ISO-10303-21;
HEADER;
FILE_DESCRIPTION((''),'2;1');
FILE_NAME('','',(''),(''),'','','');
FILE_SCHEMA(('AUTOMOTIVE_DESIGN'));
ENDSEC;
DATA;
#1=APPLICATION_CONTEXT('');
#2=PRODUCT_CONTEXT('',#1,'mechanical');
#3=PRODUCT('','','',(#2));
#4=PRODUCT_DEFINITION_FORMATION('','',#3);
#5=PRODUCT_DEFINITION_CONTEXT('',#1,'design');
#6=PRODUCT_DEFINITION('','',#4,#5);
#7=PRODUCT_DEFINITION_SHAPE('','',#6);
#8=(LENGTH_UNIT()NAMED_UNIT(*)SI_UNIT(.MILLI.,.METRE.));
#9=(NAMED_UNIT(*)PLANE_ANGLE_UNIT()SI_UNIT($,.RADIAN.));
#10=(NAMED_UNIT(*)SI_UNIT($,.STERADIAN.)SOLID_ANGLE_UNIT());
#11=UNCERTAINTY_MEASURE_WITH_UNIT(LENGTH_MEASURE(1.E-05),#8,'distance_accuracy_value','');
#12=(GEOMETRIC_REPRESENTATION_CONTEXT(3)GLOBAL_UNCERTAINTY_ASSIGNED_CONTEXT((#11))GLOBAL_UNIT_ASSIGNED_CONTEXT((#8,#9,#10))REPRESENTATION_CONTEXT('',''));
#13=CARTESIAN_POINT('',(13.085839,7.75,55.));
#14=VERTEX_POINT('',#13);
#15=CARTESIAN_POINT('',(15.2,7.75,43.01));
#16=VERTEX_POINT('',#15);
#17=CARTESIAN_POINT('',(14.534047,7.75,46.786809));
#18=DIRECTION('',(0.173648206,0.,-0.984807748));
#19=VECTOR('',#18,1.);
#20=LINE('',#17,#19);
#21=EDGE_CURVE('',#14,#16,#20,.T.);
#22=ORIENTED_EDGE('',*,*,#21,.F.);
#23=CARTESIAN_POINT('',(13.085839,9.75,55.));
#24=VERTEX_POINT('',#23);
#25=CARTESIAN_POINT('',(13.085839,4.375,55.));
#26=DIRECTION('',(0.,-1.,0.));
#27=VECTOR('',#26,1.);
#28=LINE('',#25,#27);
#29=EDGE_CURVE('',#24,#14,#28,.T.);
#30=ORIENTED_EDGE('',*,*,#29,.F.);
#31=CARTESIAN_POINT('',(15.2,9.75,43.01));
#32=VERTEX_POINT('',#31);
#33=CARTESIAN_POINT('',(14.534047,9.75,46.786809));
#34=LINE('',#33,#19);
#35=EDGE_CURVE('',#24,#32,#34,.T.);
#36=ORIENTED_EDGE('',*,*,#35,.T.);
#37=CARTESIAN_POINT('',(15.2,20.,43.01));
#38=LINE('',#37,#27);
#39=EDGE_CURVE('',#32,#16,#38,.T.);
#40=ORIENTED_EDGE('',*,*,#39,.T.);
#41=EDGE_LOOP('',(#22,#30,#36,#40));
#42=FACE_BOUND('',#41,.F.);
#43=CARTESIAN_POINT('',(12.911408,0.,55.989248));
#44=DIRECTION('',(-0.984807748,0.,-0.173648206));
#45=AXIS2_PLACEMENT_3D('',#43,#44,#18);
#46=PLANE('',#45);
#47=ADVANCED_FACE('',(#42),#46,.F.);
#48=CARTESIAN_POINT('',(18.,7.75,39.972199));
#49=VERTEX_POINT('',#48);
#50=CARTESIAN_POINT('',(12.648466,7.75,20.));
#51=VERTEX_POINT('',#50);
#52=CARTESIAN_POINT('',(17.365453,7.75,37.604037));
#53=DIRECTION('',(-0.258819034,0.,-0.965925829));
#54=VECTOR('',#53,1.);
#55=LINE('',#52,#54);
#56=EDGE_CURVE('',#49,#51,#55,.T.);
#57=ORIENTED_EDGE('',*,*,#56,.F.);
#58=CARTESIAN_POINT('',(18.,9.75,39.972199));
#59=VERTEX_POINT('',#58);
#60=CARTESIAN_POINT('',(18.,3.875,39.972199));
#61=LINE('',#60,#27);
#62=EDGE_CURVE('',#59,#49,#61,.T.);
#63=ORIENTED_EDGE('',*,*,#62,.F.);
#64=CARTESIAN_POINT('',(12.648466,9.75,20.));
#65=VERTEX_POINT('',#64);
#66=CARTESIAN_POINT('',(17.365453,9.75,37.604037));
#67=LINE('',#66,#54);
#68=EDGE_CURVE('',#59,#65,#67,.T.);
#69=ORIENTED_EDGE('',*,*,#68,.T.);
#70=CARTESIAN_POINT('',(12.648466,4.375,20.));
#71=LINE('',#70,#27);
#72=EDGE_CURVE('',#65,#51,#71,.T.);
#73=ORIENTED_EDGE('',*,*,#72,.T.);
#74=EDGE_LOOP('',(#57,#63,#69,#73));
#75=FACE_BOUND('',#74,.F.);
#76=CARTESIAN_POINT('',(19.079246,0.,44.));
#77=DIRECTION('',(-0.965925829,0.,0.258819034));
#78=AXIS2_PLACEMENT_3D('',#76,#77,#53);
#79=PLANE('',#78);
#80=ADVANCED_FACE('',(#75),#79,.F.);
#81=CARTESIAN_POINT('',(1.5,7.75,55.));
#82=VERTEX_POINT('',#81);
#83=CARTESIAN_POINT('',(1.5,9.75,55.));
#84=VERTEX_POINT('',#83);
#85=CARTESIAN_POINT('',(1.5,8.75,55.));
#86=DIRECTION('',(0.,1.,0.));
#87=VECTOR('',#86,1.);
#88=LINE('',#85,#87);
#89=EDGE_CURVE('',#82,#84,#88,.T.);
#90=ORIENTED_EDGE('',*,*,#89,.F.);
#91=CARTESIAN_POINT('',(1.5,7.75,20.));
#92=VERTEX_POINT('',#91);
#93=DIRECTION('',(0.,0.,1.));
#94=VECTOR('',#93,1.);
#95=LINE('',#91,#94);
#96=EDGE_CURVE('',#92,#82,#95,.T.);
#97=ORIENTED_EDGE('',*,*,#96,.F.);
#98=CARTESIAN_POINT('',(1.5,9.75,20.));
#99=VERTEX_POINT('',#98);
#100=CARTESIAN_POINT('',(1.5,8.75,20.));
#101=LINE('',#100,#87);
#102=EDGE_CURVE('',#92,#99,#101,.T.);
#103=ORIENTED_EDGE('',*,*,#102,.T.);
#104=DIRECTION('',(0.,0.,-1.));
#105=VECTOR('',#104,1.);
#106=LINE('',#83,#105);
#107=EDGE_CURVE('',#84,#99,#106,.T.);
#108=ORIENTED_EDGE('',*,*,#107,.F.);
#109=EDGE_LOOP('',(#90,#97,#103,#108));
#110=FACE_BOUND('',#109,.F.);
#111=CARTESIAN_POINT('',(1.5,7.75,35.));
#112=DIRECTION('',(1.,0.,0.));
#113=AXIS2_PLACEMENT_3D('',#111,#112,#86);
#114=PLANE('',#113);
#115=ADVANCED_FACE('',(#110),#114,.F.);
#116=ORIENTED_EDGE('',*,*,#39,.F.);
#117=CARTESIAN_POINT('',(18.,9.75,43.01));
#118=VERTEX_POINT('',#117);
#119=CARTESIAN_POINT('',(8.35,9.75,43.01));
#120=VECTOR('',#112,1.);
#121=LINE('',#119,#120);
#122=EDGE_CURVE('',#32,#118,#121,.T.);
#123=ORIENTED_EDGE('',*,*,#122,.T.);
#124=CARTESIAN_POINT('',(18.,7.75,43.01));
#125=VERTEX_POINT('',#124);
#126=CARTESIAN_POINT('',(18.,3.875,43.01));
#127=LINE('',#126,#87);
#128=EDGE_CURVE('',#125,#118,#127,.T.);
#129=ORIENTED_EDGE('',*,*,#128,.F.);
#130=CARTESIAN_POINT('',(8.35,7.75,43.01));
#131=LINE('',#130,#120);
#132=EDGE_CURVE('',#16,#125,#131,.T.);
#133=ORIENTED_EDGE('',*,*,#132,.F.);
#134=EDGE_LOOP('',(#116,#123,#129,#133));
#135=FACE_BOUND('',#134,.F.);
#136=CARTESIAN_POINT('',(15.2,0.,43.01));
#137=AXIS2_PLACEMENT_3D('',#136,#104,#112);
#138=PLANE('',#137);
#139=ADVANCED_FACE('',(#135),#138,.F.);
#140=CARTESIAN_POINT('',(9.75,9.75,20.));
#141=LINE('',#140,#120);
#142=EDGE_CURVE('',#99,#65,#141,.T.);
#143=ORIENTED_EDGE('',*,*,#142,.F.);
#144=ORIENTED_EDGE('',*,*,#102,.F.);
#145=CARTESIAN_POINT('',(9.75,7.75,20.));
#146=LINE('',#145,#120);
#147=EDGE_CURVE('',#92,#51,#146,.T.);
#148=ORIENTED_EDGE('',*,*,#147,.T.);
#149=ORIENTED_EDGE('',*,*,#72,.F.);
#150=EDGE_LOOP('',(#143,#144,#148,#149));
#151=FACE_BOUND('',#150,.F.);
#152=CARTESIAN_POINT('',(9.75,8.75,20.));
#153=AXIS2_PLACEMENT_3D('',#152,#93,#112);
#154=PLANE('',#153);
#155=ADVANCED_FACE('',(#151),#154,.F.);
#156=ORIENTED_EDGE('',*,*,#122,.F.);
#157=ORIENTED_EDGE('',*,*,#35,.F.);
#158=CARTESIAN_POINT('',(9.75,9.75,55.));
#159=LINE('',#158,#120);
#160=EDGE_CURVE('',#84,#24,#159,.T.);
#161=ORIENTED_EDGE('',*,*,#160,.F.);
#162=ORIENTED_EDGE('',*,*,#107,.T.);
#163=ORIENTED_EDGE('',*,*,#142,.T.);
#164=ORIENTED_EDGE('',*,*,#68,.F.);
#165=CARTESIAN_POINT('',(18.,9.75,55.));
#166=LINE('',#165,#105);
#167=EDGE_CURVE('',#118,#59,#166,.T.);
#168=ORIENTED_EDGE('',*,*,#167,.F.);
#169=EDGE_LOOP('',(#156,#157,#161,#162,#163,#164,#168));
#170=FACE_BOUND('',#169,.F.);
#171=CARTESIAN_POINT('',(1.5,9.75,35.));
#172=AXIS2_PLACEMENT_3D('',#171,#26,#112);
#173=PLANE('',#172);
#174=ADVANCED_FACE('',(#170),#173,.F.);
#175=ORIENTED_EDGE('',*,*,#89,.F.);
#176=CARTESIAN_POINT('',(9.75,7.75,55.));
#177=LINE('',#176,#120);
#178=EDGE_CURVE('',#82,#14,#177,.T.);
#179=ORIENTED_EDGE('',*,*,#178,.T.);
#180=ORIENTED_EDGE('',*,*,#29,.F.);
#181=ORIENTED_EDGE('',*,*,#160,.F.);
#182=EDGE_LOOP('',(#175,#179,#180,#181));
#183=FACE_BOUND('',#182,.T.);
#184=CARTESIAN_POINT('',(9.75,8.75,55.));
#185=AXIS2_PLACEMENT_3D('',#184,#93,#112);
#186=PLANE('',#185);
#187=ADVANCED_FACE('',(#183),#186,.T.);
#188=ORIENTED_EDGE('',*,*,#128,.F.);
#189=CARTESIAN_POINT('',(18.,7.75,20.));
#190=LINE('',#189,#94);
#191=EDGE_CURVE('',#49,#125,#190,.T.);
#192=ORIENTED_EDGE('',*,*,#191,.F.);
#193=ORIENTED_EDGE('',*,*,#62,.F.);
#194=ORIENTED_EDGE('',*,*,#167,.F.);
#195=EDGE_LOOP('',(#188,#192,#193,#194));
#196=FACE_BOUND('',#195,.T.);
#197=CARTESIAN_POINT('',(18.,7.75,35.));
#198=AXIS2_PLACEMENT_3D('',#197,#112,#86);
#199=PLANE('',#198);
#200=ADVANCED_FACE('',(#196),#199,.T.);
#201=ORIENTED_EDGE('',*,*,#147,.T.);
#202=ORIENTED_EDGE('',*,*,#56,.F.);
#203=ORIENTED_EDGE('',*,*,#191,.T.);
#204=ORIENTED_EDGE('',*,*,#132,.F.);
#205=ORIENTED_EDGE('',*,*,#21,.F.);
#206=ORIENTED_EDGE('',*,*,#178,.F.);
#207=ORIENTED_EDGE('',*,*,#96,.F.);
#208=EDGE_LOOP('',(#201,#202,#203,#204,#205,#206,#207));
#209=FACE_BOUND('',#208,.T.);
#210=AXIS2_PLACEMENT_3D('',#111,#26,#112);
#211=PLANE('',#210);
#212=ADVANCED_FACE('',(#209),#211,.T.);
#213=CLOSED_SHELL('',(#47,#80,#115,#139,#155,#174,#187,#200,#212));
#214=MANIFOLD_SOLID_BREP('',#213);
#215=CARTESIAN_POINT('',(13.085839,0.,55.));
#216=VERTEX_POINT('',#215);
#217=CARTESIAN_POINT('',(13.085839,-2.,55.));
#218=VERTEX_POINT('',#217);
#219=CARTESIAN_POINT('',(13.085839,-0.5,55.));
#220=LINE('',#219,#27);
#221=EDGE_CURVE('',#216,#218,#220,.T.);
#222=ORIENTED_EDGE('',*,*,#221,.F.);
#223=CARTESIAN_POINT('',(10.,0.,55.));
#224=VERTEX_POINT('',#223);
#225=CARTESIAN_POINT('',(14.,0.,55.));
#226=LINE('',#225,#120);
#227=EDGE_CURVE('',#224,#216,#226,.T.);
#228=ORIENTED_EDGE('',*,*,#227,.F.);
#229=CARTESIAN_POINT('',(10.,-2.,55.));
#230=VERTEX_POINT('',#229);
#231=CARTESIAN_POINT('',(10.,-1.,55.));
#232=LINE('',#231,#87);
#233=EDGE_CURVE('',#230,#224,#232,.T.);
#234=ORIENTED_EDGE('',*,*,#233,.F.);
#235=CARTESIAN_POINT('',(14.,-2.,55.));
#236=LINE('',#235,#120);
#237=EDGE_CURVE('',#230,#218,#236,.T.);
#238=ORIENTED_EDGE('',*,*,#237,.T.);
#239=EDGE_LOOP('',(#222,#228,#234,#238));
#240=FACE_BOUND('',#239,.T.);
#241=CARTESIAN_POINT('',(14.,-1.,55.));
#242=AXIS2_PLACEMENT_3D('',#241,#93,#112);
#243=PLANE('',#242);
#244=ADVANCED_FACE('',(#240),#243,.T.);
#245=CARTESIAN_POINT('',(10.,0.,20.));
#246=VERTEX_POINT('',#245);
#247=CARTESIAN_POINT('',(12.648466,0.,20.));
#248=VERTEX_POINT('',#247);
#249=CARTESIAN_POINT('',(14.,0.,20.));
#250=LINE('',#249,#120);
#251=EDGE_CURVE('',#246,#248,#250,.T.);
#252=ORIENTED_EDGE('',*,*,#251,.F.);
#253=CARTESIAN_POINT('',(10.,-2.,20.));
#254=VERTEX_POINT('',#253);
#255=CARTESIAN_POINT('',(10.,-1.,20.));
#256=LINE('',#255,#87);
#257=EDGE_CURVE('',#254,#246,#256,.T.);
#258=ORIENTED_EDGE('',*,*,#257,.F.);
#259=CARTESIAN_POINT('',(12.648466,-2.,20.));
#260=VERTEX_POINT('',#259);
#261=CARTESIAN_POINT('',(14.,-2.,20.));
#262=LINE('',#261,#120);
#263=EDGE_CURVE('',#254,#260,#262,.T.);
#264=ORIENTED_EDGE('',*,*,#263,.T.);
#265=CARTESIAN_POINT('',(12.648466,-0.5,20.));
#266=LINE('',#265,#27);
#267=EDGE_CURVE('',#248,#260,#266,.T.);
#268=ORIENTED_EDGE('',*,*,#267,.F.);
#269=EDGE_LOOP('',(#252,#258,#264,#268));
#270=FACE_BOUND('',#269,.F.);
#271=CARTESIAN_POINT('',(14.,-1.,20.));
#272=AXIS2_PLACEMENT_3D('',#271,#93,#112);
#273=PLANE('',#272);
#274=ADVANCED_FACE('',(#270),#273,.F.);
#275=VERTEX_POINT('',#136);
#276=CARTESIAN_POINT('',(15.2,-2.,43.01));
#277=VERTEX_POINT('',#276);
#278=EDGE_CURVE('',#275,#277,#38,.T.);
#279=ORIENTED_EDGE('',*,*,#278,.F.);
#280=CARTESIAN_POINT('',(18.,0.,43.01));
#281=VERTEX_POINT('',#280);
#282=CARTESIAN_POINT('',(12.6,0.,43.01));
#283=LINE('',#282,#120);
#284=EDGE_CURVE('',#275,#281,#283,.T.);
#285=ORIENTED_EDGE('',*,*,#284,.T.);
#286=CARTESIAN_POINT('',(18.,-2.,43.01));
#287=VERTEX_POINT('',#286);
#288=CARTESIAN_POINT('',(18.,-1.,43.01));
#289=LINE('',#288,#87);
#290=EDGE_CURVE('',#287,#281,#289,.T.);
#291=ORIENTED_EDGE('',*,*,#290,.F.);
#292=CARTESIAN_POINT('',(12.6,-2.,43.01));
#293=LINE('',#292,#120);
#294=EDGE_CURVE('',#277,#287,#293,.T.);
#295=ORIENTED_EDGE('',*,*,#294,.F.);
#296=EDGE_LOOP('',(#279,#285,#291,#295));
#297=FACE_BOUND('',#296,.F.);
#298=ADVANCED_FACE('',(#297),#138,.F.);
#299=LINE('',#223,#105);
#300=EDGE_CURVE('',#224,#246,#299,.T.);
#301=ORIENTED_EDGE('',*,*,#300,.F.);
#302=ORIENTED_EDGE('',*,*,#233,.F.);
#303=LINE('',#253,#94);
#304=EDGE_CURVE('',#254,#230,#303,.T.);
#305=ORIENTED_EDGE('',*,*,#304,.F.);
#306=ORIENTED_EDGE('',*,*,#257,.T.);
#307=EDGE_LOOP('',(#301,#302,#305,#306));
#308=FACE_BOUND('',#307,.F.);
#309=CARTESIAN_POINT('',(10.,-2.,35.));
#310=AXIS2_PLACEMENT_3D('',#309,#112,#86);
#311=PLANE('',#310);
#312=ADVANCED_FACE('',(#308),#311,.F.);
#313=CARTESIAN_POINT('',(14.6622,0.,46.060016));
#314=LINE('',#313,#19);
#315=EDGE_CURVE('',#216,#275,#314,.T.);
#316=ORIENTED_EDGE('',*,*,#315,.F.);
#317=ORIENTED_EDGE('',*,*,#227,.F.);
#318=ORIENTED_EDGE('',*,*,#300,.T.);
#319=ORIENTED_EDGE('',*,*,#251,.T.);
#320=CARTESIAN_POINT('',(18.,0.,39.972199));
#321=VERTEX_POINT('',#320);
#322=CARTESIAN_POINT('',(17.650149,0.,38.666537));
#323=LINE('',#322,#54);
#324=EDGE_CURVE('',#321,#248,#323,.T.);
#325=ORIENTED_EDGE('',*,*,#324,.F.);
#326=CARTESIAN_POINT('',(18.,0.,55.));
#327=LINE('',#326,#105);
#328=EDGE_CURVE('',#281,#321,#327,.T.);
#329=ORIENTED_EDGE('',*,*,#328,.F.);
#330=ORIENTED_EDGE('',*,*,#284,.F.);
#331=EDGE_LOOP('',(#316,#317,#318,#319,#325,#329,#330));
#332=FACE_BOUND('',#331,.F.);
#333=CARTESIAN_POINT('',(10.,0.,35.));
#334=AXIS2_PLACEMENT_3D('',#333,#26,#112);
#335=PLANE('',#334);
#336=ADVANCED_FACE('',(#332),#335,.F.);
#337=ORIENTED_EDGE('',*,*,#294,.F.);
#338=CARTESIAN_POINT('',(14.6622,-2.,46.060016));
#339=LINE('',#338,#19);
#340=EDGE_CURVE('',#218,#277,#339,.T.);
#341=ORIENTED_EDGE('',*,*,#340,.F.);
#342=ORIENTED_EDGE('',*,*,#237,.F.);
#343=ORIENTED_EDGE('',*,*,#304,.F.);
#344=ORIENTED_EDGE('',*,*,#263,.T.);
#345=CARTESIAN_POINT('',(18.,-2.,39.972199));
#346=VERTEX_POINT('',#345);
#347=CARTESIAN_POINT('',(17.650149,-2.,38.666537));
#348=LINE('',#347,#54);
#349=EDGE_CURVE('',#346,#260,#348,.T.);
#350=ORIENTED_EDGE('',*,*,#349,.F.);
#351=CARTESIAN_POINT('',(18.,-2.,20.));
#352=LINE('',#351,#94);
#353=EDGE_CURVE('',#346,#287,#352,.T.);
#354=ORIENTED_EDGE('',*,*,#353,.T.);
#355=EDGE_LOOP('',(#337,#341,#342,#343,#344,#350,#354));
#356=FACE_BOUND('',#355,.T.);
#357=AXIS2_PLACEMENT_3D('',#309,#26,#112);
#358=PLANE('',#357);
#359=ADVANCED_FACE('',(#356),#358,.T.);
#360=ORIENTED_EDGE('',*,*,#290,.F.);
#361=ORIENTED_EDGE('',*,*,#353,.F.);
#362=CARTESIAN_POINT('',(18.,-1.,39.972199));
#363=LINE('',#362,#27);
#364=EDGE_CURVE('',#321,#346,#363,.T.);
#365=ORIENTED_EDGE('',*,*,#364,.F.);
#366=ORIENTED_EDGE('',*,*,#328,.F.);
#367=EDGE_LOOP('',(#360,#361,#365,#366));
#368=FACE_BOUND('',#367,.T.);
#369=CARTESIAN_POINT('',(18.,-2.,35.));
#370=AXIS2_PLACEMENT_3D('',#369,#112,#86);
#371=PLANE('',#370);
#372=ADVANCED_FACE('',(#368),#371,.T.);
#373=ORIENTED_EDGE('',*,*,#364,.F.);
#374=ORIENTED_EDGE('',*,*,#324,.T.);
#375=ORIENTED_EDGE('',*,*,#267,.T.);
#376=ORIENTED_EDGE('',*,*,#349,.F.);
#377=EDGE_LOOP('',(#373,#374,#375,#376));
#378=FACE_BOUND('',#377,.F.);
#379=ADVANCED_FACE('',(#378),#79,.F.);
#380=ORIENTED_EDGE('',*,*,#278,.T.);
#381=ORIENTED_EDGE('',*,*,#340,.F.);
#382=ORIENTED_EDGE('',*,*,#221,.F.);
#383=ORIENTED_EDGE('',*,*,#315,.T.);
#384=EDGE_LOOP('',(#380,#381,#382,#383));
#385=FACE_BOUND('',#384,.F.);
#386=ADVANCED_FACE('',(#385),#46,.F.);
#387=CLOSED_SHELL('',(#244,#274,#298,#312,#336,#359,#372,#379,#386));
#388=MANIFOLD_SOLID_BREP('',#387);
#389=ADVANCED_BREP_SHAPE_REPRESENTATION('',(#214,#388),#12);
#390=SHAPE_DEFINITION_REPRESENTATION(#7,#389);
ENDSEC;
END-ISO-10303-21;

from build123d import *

# Parameters (mm, degrees)
EXTRUDE021_DEPTH      = 20
EXTRUDE019_DEPTH      = 14
SKETCH022_W           = 16.5
SKETCH022_H           = 2
SKETCH022_W_2         = 8
EXTRUDE018_DEPTH      = 20
EXTRUDE018_DEPTH_BACK = 15


with BuildPart() as extrude021:
    # Sketch025 → Extrude021 (new body, symmetric)
    with BuildSketch(Plane.XZ):
        Polygon((12.911408, 55.989248), (15.2, 43.01), (22, 43.01), (22, 55.989248), align=None)
    extrude(amount=EXTRUDE021_DEPTH, both=True)


with BuildPart() as compound005:
    # Sketch023 → Extrude019 (new body, symmetric)
    with BuildSketch(Plane.XZ):
        Polygon((19.079246, 44), (12, 17.579893), (23, 17.579893), (23, 44), align=None)
    extrude(amount=EXTRUDE019_DEPTH, both=True)

    # Compound005: union Extrude021
    add(extrude021.part)


with BuildPart() as cut002:
    # Sketch022 → Extrude018 (new body, two sides)
    with BuildSketch(Plane.XY.offset(35)) as extrude018_sk:
        with Locations((9.75, 8.75)):
            Rectangle(SKETCH022_W, SKETCH022_H)
        with Locations((14, -1)):
            Rectangle(SKETCH022_W_2, SKETCH022_H)
    extrude(amount=EXTRUDE018_DEPTH)
    extrude(extrude018_sk.sketch, amount=-EXTRUDE018_DEPTH_BACK)

    # Cut002: cut Compound005
    add(compound005.part, mode=Mode.SUBTRACT)


solid = cut002.part
